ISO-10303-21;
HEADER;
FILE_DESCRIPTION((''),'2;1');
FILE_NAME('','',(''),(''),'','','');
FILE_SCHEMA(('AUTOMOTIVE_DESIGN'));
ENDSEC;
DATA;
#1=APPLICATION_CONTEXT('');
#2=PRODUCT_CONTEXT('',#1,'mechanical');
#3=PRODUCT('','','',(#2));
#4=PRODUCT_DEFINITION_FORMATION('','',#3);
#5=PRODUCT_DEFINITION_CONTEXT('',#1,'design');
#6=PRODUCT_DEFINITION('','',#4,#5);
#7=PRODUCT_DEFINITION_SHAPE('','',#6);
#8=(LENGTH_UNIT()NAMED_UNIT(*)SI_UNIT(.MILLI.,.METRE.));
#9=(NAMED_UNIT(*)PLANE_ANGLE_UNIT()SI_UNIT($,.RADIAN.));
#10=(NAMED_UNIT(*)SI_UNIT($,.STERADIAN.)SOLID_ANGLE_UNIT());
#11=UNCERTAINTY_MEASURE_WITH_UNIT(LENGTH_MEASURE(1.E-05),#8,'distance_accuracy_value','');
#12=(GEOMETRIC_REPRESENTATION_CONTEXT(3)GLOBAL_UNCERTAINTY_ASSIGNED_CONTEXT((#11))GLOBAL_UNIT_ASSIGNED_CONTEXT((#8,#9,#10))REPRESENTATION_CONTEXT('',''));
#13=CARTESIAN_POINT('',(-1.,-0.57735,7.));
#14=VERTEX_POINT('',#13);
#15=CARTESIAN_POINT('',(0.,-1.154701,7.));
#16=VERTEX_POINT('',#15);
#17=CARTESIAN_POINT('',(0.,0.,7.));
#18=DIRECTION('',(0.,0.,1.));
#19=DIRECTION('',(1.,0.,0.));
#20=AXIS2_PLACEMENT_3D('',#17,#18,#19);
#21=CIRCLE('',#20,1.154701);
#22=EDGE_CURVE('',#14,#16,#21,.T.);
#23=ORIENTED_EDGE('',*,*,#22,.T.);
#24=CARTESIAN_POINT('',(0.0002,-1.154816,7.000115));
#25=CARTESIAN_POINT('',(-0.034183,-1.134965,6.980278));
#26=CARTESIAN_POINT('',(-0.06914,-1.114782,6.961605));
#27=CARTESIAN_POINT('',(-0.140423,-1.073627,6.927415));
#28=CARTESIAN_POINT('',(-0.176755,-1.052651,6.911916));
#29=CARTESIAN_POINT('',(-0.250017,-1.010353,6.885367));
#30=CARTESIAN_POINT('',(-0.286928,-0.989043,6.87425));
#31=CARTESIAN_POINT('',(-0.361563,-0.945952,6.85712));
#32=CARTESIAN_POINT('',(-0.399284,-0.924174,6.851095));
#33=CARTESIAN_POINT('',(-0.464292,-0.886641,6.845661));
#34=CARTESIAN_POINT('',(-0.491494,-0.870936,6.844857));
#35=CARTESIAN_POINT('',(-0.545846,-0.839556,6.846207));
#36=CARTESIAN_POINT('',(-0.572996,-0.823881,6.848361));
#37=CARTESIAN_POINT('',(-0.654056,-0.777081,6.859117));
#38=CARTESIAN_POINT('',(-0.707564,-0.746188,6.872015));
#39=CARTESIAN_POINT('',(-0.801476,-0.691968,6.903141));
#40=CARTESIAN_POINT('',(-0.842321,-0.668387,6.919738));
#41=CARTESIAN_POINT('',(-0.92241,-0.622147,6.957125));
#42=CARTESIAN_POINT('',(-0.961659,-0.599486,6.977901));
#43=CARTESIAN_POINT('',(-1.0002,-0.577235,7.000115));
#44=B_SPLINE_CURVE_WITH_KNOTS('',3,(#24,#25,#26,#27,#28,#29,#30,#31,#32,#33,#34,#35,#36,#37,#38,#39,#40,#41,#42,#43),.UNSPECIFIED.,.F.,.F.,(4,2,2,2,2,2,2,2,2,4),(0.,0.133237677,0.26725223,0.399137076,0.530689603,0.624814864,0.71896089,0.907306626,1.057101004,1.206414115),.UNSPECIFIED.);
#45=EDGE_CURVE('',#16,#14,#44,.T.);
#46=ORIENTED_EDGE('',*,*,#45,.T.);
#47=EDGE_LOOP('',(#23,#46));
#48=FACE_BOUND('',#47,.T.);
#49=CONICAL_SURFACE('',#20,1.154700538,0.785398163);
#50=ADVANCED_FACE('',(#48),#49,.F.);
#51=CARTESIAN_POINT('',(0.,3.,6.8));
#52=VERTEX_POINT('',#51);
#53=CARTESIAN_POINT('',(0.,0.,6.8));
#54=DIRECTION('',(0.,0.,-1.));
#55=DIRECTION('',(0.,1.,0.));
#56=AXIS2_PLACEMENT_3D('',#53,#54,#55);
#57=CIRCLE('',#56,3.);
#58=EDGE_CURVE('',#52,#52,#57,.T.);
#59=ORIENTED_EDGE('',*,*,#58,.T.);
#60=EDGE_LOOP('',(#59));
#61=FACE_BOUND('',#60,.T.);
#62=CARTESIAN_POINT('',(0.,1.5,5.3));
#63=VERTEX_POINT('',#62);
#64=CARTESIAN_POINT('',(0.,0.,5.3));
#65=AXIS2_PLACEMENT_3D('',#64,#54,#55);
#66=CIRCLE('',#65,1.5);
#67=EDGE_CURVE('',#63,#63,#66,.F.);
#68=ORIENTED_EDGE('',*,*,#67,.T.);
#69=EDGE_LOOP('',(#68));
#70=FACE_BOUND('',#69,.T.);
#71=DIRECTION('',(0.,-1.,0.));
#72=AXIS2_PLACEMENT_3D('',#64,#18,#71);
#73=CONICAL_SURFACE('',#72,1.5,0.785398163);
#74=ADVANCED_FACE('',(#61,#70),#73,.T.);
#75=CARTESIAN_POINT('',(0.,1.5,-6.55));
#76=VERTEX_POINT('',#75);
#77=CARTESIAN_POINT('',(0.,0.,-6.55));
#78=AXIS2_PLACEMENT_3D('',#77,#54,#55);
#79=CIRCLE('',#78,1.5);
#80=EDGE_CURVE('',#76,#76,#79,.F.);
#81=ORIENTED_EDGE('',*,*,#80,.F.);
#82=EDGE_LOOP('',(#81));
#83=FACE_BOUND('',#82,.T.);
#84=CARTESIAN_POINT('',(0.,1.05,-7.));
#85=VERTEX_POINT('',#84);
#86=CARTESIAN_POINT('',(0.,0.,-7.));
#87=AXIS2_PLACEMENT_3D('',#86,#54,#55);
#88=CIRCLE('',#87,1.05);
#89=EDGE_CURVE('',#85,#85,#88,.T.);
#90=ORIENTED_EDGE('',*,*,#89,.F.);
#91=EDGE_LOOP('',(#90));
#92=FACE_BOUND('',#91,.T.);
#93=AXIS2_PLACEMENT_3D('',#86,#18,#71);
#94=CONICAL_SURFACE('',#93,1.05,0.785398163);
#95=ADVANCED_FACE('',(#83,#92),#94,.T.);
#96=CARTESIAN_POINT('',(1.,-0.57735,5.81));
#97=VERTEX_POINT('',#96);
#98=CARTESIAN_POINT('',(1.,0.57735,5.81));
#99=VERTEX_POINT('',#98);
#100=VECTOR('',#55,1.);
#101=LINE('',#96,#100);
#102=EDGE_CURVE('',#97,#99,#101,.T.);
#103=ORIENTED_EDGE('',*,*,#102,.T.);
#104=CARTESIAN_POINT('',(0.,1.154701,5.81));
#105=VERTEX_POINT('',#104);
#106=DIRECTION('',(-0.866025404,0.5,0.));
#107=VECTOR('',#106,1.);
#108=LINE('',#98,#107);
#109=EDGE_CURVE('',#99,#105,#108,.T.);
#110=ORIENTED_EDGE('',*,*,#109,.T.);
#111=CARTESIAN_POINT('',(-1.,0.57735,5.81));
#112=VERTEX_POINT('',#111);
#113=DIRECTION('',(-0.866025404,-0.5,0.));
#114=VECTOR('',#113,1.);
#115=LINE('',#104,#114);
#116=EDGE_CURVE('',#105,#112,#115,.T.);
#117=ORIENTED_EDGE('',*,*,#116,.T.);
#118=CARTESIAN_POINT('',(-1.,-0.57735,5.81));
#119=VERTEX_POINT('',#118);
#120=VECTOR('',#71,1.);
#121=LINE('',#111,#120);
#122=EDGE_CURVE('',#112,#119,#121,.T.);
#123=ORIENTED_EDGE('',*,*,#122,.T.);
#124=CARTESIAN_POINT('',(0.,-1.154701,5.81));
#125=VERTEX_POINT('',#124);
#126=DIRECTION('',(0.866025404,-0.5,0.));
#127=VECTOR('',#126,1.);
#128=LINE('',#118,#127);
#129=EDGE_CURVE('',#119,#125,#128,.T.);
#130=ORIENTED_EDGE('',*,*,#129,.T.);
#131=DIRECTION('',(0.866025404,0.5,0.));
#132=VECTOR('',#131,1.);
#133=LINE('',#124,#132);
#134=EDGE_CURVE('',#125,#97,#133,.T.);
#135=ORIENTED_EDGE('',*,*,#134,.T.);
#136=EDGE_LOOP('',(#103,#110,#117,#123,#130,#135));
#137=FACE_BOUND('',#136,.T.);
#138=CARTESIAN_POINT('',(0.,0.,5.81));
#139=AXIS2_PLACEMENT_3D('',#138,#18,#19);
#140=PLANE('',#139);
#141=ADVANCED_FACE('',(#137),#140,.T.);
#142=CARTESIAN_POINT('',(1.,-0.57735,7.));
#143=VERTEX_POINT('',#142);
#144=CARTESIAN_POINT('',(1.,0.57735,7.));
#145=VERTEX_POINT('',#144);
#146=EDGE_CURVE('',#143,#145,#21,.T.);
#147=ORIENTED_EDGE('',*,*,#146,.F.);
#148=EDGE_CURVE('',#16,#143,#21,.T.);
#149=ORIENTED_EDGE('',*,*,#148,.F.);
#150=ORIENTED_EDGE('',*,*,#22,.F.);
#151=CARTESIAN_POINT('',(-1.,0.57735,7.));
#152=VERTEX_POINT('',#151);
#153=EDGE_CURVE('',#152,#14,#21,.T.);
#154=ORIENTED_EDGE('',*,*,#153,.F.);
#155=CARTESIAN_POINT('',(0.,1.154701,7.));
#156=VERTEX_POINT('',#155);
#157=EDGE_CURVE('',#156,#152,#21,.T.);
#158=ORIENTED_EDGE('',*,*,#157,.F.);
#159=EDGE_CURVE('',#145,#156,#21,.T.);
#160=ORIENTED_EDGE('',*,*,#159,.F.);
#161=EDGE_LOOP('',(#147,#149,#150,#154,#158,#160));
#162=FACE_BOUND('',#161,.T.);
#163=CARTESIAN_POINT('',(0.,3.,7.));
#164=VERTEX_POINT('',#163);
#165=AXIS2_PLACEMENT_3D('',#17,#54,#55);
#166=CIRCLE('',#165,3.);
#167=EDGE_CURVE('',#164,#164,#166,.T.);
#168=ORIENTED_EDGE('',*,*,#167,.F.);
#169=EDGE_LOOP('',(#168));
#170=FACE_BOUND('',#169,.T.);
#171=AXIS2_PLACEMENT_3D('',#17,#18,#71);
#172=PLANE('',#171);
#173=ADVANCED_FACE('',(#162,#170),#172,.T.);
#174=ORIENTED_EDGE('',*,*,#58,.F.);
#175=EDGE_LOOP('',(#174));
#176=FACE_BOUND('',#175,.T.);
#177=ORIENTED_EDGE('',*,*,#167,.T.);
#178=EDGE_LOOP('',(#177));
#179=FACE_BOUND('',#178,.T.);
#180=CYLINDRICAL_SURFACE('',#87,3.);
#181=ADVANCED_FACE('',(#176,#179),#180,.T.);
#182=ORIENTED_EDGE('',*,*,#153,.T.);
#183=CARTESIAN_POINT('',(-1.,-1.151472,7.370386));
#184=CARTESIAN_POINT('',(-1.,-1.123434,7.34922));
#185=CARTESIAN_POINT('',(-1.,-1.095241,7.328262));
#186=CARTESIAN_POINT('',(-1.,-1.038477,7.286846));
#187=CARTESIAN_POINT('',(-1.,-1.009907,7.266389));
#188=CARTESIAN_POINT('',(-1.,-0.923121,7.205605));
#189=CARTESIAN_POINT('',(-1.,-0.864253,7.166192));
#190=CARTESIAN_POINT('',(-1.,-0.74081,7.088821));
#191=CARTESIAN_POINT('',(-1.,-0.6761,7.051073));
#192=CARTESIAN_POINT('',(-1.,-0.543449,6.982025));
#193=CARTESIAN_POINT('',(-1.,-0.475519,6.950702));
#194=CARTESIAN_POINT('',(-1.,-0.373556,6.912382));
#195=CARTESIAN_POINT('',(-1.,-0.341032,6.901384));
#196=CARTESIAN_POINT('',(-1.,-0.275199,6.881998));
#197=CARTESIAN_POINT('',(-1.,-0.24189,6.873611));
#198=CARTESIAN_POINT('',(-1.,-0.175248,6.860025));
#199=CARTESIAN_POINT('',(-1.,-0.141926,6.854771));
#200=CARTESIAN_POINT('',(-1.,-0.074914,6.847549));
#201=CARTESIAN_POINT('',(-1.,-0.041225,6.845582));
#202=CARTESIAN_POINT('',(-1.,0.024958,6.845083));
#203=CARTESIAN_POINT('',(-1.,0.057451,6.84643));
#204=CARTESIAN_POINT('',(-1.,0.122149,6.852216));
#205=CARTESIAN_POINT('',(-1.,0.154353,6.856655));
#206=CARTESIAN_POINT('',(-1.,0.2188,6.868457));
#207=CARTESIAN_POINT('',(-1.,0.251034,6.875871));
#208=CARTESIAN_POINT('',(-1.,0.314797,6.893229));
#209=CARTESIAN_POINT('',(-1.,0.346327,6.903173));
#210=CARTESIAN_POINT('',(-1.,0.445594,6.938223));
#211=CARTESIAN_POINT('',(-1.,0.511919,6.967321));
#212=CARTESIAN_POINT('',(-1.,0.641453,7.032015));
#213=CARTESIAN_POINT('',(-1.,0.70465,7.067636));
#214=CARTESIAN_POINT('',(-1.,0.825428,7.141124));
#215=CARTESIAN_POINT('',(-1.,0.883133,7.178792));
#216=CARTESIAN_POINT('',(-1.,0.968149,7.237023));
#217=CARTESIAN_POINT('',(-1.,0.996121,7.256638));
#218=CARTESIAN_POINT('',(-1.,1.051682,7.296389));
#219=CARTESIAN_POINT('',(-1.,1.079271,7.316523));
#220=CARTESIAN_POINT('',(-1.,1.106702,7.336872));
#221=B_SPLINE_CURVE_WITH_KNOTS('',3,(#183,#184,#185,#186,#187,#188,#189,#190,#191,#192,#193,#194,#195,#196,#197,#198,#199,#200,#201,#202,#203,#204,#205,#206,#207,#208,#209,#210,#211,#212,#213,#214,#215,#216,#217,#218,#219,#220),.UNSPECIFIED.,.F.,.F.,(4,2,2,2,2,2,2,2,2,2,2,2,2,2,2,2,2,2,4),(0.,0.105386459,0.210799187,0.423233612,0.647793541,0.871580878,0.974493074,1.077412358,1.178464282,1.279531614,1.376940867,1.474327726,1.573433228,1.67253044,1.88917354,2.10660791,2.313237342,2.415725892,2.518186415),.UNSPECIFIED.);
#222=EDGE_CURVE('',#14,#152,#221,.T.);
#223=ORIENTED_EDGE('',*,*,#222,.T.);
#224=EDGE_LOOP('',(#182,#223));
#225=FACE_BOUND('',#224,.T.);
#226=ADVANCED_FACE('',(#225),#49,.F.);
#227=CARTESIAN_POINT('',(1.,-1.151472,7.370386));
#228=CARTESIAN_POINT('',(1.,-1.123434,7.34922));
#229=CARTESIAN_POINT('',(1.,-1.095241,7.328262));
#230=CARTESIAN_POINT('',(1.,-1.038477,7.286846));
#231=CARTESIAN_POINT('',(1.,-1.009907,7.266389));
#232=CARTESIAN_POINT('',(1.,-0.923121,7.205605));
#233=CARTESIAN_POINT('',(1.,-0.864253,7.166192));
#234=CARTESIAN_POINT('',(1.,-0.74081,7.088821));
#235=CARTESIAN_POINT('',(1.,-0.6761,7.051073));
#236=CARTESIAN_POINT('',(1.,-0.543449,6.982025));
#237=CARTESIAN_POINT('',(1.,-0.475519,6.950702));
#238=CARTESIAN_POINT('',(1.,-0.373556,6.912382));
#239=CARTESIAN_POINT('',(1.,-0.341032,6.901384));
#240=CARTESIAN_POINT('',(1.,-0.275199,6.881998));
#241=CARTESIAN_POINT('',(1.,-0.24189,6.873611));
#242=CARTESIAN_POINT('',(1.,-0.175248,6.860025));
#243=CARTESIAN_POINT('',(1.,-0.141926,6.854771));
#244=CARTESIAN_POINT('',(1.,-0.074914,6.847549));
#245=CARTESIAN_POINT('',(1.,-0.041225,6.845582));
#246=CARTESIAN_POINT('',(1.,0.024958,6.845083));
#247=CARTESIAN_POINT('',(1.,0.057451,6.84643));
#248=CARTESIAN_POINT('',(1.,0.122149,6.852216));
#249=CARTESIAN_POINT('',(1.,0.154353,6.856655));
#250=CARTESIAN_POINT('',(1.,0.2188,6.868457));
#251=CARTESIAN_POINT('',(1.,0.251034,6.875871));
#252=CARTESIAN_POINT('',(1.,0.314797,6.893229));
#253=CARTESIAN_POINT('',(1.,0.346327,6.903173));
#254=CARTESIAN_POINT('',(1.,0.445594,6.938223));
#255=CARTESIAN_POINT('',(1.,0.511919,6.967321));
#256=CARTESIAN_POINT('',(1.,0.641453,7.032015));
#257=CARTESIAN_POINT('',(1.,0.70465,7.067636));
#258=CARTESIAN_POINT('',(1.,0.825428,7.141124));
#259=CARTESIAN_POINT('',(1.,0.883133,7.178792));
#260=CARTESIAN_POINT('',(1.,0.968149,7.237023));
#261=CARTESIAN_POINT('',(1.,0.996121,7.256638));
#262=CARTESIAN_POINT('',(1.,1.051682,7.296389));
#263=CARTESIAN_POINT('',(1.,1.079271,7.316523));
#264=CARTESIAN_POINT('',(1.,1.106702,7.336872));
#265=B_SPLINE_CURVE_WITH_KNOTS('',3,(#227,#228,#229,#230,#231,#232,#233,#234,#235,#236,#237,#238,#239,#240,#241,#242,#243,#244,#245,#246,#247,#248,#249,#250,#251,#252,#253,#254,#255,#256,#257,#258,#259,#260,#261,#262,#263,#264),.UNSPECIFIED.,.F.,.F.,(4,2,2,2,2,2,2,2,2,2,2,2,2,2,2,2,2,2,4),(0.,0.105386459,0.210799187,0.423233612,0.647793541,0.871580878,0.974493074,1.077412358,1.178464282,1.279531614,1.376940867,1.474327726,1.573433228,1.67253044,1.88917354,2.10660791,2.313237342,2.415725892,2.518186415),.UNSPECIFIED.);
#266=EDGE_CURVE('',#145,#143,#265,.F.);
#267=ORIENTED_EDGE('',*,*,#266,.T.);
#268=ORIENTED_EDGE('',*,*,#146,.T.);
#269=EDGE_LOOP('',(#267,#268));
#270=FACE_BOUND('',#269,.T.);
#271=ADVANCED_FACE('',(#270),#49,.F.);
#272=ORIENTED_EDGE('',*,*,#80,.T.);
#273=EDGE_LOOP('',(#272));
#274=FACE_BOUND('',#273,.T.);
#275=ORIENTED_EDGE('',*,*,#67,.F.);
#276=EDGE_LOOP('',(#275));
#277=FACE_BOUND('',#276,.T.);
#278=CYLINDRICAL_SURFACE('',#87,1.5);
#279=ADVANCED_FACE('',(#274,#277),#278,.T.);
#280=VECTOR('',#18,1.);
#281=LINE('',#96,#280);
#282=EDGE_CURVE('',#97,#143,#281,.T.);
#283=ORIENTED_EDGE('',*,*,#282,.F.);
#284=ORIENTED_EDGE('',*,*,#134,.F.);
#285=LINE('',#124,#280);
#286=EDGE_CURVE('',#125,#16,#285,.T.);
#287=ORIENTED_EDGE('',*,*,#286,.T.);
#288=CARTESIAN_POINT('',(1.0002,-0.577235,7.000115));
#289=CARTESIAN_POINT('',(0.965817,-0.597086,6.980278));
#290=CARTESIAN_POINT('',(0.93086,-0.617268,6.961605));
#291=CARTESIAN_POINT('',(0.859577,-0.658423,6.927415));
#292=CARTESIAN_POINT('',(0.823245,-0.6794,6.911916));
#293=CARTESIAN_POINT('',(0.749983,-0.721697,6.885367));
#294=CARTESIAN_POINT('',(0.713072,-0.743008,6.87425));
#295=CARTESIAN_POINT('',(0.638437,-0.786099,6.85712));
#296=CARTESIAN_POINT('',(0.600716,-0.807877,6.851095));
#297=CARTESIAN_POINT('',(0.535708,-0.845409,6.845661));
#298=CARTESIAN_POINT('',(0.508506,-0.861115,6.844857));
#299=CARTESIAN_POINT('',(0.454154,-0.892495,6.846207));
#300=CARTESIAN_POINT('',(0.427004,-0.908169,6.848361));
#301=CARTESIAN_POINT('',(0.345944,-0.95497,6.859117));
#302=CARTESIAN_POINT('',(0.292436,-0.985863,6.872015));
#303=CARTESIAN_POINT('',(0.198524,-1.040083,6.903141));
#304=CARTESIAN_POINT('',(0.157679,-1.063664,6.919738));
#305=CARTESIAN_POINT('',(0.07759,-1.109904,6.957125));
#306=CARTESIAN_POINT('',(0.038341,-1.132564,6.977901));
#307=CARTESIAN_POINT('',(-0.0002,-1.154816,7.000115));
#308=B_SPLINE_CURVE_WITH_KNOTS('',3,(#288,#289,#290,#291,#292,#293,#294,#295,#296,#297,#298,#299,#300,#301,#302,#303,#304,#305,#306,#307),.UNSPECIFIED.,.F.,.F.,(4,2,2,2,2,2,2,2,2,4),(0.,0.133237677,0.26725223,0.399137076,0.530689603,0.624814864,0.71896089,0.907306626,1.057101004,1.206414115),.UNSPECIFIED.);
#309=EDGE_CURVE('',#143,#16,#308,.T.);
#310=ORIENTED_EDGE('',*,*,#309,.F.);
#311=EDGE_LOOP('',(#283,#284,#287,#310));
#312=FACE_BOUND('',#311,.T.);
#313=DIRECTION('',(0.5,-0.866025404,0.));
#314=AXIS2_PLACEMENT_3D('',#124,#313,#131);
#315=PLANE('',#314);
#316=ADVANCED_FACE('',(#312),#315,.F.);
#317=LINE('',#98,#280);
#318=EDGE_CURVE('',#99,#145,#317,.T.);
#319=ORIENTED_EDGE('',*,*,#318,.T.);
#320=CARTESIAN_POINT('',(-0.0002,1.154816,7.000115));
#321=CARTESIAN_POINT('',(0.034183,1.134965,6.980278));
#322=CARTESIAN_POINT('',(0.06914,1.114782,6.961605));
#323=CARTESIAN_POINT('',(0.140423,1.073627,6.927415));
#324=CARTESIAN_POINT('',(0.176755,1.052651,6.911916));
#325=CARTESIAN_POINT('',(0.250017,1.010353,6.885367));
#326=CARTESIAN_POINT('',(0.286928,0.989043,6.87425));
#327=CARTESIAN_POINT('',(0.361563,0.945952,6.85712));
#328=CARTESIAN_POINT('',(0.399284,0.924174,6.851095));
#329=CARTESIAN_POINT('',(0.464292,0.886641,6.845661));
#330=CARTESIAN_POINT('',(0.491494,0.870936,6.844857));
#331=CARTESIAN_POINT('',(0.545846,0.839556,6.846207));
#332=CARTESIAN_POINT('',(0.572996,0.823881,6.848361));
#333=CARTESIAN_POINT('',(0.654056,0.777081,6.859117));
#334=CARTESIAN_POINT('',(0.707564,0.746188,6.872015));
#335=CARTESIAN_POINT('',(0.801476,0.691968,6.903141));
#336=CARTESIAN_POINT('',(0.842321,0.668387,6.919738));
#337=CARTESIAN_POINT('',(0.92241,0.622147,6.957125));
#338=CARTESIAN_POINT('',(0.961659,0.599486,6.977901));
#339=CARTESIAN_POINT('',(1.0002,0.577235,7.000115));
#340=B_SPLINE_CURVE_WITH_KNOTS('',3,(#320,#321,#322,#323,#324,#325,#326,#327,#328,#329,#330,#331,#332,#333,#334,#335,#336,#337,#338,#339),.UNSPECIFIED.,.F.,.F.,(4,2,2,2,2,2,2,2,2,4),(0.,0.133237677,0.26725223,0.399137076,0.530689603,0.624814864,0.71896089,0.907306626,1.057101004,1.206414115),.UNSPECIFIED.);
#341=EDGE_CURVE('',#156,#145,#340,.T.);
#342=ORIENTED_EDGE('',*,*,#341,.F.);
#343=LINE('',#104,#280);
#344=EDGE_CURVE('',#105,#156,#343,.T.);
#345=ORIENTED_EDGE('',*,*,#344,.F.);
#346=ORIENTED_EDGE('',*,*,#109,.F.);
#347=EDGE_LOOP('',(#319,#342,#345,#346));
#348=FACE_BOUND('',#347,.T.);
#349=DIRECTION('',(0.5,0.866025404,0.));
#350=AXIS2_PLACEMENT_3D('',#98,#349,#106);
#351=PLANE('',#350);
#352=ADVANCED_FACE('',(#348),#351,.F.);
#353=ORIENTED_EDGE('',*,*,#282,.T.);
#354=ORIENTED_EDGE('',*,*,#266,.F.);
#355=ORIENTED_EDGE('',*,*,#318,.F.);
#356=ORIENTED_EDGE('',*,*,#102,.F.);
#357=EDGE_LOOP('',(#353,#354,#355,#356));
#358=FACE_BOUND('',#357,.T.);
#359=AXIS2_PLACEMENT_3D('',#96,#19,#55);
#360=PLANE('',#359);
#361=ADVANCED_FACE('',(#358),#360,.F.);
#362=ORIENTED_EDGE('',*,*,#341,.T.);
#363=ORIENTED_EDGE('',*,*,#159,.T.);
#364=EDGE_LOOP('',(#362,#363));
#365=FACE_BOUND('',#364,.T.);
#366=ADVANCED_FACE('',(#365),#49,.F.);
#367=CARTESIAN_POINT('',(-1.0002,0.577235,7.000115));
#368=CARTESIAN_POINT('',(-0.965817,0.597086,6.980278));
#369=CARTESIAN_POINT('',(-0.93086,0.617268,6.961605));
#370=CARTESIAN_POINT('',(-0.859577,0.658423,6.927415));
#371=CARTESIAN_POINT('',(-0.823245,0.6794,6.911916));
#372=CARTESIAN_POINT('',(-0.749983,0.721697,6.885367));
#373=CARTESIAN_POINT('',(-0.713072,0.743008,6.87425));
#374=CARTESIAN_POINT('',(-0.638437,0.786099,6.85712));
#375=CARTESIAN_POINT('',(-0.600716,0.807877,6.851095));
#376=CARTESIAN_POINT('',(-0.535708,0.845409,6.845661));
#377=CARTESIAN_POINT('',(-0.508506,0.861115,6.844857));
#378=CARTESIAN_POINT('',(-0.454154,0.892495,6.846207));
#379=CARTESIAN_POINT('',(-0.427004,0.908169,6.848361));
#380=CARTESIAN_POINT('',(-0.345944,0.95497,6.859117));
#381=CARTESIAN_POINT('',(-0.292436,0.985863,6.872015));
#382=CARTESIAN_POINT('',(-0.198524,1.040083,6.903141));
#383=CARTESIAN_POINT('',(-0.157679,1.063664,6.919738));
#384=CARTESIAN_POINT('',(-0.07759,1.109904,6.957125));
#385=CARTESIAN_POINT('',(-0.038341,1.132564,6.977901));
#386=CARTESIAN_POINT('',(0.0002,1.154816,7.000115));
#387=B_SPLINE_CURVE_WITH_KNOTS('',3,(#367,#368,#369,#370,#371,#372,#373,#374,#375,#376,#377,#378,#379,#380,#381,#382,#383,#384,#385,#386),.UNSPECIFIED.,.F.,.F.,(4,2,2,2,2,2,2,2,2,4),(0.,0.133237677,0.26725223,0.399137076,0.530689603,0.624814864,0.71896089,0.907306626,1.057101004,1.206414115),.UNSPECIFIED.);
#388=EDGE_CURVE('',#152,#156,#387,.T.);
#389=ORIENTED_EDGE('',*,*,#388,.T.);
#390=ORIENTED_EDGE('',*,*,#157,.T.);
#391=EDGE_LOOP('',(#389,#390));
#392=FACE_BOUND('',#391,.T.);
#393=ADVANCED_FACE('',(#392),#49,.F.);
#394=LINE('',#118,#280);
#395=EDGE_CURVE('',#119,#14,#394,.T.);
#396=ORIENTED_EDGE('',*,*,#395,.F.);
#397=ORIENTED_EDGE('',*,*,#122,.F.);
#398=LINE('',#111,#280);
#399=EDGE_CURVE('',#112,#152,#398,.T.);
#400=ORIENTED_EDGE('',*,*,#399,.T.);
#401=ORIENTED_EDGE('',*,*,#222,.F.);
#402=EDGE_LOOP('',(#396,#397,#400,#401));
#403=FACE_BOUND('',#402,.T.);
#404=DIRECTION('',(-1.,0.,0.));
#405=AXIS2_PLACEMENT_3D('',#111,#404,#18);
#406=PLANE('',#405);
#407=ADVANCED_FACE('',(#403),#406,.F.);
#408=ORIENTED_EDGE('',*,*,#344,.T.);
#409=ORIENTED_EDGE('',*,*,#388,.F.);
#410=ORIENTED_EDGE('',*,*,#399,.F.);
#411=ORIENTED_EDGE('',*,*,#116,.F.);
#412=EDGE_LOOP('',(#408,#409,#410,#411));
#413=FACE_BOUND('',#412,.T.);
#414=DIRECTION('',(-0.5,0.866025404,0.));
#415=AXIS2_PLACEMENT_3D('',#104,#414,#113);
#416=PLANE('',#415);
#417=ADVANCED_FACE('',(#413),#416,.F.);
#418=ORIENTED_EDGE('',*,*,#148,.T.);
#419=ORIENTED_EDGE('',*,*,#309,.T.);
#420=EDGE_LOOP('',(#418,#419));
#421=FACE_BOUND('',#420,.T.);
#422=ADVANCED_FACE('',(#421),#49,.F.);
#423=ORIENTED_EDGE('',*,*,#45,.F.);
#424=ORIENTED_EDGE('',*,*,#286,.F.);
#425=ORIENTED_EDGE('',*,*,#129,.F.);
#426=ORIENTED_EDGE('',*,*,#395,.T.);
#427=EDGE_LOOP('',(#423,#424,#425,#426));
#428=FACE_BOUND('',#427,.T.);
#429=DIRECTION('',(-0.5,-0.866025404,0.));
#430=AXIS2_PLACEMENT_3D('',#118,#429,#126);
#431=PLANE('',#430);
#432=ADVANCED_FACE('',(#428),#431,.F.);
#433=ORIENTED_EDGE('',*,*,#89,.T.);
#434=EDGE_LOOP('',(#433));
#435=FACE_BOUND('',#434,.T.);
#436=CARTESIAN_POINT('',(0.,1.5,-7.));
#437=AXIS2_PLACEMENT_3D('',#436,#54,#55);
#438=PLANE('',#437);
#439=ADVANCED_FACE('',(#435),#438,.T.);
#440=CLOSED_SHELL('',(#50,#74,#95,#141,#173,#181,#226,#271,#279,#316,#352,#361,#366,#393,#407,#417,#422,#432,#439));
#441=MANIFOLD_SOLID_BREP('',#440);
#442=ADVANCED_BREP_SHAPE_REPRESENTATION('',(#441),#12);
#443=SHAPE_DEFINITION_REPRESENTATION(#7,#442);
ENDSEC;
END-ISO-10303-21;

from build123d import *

# Parameters (mm, degrees)
SKETCH3_W          = 14
SKETCH3_H          = 1.5
CHAMFER1_SIZE      = 0.45
CUT_EXTRUDE1_DEPTH = 1.19


with BuildPart() as part:
    # Sketch3 → Revolve1 (revolve)
    with BuildSketch(Plane(origin=(0, 0, 0), x_dir=(0, 0, -1), z_dir=(1, 0, 0))):
        with Locations((0, 0.75)):
            Rectangle(SKETCH3_W, SKETCH3_H)
    revolve(axis=Axis((0, 0, -7), (0, 0, 1)))

    # Chamfer1
    chamfer1_edges = [part.edges().sort_by_distance(p)[0] for p in [
        (0, -1.5, -7),
    ]]
    chamfer(chamfer1_edges, length=CHAMFER1_SIZE)

    # Sketch6 → Revolve2 (revolve)
    with BuildSketch(Plane(origin=(0, 0, 0), x_dir=(0, 0, -1), z_dir=(1, 0, 0))):
        Polygon((-7, 3), (-6.8, 3), (-5.3, 1.5), (-5.3, 0), (-7, 0), align=None)
    revolve(axis=Axis((0, 0, -7), (0, 0, 1)))

    # Sketch8 → Cut-Extrude1 (cut)
    with BuildSketch(Plane.XY.offset(7)):
        Polygon((0, 1.154700538), (-1, 0.577350269), (-1, -0.577350269), (0, -1.154700538), (1, -0.577350269), (1, 0.577350269), align=None)
    extrude(amount=-CUT_EXTRUDE1_DEPTH, mode=Mode.SUBTRACT)

    # Cut-Extrude2 cone 1 section (through the dimple's axis) → Cut-Extrude2 (revolve, cut)
    with BuildSketch(Plane(origin=(0, 0, 7), x_dir=(0, -1, 0), z_dir=(1, 0, 0))):
        Polygon((0, 0), (1.154700538, 0), (0, 1.154700538), align=None)
    revolve(axis=Axis((0, 0, 7), (0, 0, -1)), mode=Mode.SUBTRACT)


solid = part.part
